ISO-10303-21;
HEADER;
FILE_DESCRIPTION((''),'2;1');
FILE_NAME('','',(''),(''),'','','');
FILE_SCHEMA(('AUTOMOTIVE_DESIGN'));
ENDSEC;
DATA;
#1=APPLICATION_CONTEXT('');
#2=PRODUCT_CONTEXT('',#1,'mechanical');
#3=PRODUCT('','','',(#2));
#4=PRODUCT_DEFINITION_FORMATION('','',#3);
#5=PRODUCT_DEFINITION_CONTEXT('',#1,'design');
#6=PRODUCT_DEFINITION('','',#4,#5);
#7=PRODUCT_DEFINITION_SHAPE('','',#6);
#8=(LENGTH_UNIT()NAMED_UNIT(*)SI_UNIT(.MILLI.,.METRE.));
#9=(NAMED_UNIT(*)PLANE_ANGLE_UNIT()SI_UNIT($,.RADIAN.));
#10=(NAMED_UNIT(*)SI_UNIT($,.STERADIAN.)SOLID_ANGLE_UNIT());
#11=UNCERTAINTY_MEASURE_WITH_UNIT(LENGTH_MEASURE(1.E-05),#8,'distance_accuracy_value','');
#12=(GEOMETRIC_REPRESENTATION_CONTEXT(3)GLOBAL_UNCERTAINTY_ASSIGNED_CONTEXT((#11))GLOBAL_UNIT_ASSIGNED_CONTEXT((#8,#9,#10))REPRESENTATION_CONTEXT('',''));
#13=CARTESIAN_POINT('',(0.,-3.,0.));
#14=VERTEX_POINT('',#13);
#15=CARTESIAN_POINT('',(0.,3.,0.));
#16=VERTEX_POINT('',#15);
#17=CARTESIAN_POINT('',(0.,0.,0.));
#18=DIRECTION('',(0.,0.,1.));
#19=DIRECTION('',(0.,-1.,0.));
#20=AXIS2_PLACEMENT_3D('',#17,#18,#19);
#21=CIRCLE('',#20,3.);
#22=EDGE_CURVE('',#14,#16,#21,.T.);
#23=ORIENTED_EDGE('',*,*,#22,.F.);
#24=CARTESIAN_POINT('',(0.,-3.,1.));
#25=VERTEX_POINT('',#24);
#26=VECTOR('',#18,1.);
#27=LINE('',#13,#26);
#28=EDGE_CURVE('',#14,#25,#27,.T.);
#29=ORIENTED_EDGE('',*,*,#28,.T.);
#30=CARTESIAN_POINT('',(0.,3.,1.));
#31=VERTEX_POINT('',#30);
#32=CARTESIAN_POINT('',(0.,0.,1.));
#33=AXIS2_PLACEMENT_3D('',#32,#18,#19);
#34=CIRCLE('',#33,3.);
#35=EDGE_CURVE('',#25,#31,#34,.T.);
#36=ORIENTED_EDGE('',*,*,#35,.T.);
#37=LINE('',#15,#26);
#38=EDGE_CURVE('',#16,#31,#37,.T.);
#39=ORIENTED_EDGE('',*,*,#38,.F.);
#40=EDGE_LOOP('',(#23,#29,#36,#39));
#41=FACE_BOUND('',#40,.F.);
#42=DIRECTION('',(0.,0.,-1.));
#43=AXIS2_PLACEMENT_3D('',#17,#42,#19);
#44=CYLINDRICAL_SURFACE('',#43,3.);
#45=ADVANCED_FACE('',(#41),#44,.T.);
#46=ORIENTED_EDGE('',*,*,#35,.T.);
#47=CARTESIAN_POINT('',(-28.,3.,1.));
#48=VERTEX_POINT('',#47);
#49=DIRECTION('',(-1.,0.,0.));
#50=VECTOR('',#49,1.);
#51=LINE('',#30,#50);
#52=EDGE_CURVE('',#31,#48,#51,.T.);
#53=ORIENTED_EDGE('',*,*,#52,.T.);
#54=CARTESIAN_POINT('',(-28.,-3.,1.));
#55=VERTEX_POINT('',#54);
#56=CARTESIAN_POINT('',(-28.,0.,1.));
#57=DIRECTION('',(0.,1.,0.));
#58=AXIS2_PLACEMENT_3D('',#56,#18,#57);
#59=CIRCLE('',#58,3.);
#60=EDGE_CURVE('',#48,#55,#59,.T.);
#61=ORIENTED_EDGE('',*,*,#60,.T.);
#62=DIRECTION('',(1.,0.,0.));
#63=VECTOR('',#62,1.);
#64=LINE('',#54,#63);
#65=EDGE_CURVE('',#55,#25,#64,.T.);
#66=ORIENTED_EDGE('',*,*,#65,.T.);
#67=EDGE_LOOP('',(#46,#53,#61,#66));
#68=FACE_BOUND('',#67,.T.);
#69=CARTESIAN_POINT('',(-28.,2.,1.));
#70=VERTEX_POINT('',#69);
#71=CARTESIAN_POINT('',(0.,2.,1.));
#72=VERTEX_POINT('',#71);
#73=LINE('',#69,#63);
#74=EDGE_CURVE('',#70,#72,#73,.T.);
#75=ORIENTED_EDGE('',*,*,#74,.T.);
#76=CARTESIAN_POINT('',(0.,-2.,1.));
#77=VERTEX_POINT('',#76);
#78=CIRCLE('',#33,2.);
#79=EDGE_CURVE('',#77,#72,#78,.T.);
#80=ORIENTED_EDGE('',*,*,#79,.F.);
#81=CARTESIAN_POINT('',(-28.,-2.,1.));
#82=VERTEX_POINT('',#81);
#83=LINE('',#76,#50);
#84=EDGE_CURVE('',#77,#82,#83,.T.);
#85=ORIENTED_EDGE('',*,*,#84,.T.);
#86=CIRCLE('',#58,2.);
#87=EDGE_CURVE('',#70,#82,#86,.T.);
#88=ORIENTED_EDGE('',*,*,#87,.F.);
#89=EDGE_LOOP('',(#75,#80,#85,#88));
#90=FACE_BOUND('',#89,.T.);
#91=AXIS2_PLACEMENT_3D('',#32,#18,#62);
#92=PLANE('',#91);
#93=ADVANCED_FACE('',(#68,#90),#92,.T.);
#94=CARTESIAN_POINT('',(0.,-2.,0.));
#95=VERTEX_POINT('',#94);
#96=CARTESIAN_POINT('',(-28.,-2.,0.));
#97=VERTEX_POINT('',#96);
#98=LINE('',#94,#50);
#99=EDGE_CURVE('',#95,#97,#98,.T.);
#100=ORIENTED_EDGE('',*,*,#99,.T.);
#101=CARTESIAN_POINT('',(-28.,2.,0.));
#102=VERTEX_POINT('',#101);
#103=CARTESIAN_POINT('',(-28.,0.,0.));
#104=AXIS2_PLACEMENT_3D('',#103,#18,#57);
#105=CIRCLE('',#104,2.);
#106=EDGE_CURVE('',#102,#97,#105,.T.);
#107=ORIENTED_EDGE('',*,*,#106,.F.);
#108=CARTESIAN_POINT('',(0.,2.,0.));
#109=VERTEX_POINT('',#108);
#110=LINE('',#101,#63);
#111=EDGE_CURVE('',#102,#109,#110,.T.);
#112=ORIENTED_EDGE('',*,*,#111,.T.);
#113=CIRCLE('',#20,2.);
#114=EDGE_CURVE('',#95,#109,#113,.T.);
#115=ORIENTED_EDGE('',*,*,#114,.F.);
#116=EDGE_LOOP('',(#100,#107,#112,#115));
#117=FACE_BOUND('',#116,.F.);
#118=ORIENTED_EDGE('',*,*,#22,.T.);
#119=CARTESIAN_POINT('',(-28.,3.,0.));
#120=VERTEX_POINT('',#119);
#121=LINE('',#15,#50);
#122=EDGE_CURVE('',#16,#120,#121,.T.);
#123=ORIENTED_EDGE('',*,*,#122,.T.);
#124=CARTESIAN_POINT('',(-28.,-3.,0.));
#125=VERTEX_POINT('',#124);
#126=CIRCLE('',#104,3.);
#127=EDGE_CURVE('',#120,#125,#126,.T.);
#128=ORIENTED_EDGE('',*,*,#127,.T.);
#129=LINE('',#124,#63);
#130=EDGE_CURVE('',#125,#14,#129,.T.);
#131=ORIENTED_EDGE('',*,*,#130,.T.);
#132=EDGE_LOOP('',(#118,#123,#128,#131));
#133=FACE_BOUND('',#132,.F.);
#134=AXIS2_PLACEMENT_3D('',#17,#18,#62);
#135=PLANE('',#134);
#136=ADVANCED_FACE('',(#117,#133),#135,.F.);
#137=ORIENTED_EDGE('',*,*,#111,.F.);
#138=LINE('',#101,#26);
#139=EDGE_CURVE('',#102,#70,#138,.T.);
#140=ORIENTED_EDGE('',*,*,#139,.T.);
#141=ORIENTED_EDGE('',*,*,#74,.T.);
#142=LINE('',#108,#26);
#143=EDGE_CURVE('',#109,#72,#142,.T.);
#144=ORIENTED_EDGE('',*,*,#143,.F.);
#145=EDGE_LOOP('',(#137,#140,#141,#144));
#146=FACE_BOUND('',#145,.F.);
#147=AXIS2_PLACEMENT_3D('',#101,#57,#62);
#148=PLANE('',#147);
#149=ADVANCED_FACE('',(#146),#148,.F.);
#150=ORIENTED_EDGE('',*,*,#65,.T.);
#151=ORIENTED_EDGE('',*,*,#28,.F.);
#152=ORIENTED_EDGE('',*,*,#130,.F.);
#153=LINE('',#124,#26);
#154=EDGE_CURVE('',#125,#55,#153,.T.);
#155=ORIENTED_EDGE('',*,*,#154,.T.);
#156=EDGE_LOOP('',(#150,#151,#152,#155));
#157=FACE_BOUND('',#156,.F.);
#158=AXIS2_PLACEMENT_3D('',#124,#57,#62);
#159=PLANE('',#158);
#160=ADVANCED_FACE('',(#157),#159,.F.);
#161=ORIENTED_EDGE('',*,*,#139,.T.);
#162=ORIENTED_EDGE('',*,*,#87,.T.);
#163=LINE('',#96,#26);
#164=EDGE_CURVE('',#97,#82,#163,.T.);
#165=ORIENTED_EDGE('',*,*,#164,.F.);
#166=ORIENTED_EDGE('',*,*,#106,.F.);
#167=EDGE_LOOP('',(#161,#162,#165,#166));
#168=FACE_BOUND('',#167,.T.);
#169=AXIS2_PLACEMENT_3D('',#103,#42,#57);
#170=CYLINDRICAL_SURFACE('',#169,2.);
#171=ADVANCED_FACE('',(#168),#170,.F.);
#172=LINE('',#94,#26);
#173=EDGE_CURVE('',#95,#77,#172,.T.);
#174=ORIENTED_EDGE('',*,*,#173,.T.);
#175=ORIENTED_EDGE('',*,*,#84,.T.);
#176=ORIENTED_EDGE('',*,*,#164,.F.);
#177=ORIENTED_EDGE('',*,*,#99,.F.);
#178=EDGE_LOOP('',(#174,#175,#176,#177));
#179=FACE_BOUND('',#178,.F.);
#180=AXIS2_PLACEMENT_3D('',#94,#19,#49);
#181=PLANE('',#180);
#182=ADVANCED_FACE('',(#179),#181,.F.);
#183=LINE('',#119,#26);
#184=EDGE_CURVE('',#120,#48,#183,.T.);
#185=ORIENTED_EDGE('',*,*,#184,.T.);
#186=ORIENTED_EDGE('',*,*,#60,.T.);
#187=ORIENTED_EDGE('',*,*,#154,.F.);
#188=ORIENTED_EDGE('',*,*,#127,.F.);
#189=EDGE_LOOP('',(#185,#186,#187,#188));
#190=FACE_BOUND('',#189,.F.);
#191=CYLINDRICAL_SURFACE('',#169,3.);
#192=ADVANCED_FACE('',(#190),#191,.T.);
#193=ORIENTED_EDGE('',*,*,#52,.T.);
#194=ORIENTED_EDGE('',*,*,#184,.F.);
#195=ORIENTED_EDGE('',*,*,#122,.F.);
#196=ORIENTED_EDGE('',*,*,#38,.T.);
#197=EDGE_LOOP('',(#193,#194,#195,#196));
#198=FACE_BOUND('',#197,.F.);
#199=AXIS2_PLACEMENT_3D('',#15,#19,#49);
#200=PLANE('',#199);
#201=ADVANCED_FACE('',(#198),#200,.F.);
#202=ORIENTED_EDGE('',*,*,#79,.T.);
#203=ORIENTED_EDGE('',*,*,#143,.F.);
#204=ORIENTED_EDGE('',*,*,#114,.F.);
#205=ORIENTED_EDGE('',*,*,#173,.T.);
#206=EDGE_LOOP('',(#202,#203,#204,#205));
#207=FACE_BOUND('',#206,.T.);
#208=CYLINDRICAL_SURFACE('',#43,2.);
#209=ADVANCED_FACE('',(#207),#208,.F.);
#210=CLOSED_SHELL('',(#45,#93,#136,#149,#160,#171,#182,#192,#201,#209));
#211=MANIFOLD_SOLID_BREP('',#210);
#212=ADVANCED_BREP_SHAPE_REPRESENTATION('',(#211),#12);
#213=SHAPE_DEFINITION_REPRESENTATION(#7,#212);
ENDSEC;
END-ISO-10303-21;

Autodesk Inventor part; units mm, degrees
ref_plane "YZ Plane" through (0, 0, 0) normal (1, 0, 0) x (0, 1, 0)
ref_plane "XZ Plane" through (0, 0, 0) normal (0, 1, 0) x (-1, 0, 0)
ref_plane "XY Plane" through (0, 0, 0) normal (0, 0, 1) x (1, 0, 0)
sketch "スケッチ1" plane through (0, 0, 0) normal (0, 0, 1) x (1, 0, 0)
  line L0 (0, 0) -> (-28, 0) construction
  line L1 (0, 3) -> (-28, 3)
  line L2 (-28, -3) -> (0, -3)
  arc A0 (0, -3) -> (0, 3) centre (0, 0) ccw
  arc A1 (-28, 3) -> (-28, -3) centre (-28, 0) ccw
  line L3 (-28, 2) -> (0, 2)
  arc A2 (0, -2) -> (0, 2) centre (0, 0) ccw
  line L4 (0, -2) -> (-28, -2)
  arc A3 (-28, 2) -> (-28, -2) centre (-28, 0) ccw
  point P0 (-14, 0)
  dimension "d0" = 6
  dimension "d1" = 28
  dimension "d2" = 1
extrude "押し出し1" add sketch "スケッチ1" along normal blind 1
properties part number "カウンター固定具" material "鋼、非合金鋼"
